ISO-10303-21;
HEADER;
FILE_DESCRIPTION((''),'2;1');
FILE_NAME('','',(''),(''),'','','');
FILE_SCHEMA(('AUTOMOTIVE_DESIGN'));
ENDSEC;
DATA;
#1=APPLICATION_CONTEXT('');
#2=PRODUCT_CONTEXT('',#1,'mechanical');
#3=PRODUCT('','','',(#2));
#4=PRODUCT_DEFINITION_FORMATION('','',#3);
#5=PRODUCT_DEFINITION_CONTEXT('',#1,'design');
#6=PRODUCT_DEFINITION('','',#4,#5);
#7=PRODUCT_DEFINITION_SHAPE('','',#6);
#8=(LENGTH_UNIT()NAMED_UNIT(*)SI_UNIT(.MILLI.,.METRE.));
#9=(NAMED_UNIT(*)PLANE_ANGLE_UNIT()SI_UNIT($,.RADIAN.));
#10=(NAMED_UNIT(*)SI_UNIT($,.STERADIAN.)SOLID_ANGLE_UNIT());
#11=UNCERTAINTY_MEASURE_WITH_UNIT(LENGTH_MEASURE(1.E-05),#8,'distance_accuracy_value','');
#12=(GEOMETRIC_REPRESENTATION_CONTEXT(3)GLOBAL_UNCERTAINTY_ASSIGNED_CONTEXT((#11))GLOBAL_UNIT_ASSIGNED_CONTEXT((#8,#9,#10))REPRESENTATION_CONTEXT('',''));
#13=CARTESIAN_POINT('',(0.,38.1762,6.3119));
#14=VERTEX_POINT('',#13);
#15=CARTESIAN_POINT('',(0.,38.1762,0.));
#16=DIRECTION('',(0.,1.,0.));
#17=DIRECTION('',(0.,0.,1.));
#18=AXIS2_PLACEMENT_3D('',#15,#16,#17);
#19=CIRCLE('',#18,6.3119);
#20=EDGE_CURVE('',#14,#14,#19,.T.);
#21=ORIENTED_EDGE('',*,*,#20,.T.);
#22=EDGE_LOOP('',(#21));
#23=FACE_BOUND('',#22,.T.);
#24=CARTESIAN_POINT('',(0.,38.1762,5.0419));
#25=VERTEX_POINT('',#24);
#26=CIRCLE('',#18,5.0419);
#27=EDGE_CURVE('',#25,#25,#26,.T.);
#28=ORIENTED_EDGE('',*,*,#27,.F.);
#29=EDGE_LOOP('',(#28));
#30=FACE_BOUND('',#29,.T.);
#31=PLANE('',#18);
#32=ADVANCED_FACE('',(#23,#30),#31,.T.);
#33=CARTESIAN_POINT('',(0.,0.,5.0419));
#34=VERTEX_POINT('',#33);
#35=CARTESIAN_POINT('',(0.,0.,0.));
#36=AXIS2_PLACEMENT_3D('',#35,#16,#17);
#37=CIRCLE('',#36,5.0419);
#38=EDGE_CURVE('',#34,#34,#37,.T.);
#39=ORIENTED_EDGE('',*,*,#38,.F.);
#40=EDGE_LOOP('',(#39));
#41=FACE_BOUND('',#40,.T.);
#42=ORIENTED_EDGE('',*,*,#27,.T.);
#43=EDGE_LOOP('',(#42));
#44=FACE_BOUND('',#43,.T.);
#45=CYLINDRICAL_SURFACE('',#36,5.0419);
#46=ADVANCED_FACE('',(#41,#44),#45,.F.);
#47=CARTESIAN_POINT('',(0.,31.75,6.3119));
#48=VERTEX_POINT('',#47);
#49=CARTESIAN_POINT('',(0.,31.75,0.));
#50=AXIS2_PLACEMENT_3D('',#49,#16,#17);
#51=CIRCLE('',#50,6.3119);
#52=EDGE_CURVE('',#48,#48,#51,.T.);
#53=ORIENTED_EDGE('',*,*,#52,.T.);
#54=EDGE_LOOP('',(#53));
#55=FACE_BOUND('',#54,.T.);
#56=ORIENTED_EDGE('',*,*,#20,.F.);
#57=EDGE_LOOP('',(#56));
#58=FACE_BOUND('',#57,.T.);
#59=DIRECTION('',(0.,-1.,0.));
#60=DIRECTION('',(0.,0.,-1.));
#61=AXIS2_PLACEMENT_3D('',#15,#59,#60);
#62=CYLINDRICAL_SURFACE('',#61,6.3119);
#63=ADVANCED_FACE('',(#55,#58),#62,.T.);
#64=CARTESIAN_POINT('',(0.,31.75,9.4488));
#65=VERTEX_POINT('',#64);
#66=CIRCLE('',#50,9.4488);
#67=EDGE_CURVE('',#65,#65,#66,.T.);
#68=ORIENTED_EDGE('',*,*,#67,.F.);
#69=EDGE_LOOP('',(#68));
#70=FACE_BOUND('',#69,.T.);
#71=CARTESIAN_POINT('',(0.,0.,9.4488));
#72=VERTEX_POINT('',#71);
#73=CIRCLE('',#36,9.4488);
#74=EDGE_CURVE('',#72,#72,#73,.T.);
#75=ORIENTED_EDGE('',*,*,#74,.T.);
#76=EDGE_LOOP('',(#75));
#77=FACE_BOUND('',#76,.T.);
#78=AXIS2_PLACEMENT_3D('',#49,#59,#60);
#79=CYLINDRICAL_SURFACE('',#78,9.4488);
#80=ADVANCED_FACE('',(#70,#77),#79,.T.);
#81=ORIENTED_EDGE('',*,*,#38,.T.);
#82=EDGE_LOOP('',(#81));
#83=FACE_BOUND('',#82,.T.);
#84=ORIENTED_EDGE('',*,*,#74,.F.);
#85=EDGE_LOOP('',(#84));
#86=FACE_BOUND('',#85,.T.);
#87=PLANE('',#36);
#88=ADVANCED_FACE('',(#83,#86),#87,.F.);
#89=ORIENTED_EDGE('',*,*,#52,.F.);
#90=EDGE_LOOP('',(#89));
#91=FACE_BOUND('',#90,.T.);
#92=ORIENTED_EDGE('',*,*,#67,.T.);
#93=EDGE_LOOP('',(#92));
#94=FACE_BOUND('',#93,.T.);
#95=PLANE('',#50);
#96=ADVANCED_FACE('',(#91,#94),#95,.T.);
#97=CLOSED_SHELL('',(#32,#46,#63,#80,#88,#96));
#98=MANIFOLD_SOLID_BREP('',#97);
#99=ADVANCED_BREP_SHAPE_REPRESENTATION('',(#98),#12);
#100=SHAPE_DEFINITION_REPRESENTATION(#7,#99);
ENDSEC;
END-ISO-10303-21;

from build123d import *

# Parameters (mm, degrees)
SKETCH1_R           = 9.4488
BOSS_EXTRUDE1_DEPTH = 31.75
SKETCH2_R           = 6.3119
BOSS_EXTRUDE2_DEPTH = 6.4262
SKETCH3_R           = 5.0419
CUT_EXTRUDE1_DEPTH  = 41.447272953


with BuildPart() as part:
    # Sketch1 → Boss-Extrude1 (new body)
    with BuildSketch(Plane(origin=(0, 0, 0), x_dir=(1, 0, 0), z_dir=(0, 1, 0))):
        with Locations(Location((0, 0, 0), (0, 0, 270))):
            Circle(SKETCH1_R)
    extrude(amount=BOSS_EXTRUDE1_DEPTH)

    # Sketch2 → Boss-Extrude2 (add)
    with BuildSketch(Plane(origin=(0, 31.75, 0), x_dir=(1, 0, 0), z_dir=(0, 1, 0))):
        with Locations(Location((0, 0, 0), (0, 0, 270))):
            Circle(SKETCH2_R)
    extrude(amount=BOSS_EXTRUDE2_DEPTH)

    # Sketch3 → Cut-Extrude1 (cut, through all)
    with BuildSketch(Plane(origin=(0, 38.1762, 0), x_dir=(1, 0, 0), z_dir=(0, 1, 0))):
        with Locations(Location((0, 0, 0), (0, 0, 270))):
            Circle(SKETCH3_R)
    extrude(amount=-CUT_EXTRUDE1_DEPTH, mode=Mode.SUBTRACT)


solid = part.part
